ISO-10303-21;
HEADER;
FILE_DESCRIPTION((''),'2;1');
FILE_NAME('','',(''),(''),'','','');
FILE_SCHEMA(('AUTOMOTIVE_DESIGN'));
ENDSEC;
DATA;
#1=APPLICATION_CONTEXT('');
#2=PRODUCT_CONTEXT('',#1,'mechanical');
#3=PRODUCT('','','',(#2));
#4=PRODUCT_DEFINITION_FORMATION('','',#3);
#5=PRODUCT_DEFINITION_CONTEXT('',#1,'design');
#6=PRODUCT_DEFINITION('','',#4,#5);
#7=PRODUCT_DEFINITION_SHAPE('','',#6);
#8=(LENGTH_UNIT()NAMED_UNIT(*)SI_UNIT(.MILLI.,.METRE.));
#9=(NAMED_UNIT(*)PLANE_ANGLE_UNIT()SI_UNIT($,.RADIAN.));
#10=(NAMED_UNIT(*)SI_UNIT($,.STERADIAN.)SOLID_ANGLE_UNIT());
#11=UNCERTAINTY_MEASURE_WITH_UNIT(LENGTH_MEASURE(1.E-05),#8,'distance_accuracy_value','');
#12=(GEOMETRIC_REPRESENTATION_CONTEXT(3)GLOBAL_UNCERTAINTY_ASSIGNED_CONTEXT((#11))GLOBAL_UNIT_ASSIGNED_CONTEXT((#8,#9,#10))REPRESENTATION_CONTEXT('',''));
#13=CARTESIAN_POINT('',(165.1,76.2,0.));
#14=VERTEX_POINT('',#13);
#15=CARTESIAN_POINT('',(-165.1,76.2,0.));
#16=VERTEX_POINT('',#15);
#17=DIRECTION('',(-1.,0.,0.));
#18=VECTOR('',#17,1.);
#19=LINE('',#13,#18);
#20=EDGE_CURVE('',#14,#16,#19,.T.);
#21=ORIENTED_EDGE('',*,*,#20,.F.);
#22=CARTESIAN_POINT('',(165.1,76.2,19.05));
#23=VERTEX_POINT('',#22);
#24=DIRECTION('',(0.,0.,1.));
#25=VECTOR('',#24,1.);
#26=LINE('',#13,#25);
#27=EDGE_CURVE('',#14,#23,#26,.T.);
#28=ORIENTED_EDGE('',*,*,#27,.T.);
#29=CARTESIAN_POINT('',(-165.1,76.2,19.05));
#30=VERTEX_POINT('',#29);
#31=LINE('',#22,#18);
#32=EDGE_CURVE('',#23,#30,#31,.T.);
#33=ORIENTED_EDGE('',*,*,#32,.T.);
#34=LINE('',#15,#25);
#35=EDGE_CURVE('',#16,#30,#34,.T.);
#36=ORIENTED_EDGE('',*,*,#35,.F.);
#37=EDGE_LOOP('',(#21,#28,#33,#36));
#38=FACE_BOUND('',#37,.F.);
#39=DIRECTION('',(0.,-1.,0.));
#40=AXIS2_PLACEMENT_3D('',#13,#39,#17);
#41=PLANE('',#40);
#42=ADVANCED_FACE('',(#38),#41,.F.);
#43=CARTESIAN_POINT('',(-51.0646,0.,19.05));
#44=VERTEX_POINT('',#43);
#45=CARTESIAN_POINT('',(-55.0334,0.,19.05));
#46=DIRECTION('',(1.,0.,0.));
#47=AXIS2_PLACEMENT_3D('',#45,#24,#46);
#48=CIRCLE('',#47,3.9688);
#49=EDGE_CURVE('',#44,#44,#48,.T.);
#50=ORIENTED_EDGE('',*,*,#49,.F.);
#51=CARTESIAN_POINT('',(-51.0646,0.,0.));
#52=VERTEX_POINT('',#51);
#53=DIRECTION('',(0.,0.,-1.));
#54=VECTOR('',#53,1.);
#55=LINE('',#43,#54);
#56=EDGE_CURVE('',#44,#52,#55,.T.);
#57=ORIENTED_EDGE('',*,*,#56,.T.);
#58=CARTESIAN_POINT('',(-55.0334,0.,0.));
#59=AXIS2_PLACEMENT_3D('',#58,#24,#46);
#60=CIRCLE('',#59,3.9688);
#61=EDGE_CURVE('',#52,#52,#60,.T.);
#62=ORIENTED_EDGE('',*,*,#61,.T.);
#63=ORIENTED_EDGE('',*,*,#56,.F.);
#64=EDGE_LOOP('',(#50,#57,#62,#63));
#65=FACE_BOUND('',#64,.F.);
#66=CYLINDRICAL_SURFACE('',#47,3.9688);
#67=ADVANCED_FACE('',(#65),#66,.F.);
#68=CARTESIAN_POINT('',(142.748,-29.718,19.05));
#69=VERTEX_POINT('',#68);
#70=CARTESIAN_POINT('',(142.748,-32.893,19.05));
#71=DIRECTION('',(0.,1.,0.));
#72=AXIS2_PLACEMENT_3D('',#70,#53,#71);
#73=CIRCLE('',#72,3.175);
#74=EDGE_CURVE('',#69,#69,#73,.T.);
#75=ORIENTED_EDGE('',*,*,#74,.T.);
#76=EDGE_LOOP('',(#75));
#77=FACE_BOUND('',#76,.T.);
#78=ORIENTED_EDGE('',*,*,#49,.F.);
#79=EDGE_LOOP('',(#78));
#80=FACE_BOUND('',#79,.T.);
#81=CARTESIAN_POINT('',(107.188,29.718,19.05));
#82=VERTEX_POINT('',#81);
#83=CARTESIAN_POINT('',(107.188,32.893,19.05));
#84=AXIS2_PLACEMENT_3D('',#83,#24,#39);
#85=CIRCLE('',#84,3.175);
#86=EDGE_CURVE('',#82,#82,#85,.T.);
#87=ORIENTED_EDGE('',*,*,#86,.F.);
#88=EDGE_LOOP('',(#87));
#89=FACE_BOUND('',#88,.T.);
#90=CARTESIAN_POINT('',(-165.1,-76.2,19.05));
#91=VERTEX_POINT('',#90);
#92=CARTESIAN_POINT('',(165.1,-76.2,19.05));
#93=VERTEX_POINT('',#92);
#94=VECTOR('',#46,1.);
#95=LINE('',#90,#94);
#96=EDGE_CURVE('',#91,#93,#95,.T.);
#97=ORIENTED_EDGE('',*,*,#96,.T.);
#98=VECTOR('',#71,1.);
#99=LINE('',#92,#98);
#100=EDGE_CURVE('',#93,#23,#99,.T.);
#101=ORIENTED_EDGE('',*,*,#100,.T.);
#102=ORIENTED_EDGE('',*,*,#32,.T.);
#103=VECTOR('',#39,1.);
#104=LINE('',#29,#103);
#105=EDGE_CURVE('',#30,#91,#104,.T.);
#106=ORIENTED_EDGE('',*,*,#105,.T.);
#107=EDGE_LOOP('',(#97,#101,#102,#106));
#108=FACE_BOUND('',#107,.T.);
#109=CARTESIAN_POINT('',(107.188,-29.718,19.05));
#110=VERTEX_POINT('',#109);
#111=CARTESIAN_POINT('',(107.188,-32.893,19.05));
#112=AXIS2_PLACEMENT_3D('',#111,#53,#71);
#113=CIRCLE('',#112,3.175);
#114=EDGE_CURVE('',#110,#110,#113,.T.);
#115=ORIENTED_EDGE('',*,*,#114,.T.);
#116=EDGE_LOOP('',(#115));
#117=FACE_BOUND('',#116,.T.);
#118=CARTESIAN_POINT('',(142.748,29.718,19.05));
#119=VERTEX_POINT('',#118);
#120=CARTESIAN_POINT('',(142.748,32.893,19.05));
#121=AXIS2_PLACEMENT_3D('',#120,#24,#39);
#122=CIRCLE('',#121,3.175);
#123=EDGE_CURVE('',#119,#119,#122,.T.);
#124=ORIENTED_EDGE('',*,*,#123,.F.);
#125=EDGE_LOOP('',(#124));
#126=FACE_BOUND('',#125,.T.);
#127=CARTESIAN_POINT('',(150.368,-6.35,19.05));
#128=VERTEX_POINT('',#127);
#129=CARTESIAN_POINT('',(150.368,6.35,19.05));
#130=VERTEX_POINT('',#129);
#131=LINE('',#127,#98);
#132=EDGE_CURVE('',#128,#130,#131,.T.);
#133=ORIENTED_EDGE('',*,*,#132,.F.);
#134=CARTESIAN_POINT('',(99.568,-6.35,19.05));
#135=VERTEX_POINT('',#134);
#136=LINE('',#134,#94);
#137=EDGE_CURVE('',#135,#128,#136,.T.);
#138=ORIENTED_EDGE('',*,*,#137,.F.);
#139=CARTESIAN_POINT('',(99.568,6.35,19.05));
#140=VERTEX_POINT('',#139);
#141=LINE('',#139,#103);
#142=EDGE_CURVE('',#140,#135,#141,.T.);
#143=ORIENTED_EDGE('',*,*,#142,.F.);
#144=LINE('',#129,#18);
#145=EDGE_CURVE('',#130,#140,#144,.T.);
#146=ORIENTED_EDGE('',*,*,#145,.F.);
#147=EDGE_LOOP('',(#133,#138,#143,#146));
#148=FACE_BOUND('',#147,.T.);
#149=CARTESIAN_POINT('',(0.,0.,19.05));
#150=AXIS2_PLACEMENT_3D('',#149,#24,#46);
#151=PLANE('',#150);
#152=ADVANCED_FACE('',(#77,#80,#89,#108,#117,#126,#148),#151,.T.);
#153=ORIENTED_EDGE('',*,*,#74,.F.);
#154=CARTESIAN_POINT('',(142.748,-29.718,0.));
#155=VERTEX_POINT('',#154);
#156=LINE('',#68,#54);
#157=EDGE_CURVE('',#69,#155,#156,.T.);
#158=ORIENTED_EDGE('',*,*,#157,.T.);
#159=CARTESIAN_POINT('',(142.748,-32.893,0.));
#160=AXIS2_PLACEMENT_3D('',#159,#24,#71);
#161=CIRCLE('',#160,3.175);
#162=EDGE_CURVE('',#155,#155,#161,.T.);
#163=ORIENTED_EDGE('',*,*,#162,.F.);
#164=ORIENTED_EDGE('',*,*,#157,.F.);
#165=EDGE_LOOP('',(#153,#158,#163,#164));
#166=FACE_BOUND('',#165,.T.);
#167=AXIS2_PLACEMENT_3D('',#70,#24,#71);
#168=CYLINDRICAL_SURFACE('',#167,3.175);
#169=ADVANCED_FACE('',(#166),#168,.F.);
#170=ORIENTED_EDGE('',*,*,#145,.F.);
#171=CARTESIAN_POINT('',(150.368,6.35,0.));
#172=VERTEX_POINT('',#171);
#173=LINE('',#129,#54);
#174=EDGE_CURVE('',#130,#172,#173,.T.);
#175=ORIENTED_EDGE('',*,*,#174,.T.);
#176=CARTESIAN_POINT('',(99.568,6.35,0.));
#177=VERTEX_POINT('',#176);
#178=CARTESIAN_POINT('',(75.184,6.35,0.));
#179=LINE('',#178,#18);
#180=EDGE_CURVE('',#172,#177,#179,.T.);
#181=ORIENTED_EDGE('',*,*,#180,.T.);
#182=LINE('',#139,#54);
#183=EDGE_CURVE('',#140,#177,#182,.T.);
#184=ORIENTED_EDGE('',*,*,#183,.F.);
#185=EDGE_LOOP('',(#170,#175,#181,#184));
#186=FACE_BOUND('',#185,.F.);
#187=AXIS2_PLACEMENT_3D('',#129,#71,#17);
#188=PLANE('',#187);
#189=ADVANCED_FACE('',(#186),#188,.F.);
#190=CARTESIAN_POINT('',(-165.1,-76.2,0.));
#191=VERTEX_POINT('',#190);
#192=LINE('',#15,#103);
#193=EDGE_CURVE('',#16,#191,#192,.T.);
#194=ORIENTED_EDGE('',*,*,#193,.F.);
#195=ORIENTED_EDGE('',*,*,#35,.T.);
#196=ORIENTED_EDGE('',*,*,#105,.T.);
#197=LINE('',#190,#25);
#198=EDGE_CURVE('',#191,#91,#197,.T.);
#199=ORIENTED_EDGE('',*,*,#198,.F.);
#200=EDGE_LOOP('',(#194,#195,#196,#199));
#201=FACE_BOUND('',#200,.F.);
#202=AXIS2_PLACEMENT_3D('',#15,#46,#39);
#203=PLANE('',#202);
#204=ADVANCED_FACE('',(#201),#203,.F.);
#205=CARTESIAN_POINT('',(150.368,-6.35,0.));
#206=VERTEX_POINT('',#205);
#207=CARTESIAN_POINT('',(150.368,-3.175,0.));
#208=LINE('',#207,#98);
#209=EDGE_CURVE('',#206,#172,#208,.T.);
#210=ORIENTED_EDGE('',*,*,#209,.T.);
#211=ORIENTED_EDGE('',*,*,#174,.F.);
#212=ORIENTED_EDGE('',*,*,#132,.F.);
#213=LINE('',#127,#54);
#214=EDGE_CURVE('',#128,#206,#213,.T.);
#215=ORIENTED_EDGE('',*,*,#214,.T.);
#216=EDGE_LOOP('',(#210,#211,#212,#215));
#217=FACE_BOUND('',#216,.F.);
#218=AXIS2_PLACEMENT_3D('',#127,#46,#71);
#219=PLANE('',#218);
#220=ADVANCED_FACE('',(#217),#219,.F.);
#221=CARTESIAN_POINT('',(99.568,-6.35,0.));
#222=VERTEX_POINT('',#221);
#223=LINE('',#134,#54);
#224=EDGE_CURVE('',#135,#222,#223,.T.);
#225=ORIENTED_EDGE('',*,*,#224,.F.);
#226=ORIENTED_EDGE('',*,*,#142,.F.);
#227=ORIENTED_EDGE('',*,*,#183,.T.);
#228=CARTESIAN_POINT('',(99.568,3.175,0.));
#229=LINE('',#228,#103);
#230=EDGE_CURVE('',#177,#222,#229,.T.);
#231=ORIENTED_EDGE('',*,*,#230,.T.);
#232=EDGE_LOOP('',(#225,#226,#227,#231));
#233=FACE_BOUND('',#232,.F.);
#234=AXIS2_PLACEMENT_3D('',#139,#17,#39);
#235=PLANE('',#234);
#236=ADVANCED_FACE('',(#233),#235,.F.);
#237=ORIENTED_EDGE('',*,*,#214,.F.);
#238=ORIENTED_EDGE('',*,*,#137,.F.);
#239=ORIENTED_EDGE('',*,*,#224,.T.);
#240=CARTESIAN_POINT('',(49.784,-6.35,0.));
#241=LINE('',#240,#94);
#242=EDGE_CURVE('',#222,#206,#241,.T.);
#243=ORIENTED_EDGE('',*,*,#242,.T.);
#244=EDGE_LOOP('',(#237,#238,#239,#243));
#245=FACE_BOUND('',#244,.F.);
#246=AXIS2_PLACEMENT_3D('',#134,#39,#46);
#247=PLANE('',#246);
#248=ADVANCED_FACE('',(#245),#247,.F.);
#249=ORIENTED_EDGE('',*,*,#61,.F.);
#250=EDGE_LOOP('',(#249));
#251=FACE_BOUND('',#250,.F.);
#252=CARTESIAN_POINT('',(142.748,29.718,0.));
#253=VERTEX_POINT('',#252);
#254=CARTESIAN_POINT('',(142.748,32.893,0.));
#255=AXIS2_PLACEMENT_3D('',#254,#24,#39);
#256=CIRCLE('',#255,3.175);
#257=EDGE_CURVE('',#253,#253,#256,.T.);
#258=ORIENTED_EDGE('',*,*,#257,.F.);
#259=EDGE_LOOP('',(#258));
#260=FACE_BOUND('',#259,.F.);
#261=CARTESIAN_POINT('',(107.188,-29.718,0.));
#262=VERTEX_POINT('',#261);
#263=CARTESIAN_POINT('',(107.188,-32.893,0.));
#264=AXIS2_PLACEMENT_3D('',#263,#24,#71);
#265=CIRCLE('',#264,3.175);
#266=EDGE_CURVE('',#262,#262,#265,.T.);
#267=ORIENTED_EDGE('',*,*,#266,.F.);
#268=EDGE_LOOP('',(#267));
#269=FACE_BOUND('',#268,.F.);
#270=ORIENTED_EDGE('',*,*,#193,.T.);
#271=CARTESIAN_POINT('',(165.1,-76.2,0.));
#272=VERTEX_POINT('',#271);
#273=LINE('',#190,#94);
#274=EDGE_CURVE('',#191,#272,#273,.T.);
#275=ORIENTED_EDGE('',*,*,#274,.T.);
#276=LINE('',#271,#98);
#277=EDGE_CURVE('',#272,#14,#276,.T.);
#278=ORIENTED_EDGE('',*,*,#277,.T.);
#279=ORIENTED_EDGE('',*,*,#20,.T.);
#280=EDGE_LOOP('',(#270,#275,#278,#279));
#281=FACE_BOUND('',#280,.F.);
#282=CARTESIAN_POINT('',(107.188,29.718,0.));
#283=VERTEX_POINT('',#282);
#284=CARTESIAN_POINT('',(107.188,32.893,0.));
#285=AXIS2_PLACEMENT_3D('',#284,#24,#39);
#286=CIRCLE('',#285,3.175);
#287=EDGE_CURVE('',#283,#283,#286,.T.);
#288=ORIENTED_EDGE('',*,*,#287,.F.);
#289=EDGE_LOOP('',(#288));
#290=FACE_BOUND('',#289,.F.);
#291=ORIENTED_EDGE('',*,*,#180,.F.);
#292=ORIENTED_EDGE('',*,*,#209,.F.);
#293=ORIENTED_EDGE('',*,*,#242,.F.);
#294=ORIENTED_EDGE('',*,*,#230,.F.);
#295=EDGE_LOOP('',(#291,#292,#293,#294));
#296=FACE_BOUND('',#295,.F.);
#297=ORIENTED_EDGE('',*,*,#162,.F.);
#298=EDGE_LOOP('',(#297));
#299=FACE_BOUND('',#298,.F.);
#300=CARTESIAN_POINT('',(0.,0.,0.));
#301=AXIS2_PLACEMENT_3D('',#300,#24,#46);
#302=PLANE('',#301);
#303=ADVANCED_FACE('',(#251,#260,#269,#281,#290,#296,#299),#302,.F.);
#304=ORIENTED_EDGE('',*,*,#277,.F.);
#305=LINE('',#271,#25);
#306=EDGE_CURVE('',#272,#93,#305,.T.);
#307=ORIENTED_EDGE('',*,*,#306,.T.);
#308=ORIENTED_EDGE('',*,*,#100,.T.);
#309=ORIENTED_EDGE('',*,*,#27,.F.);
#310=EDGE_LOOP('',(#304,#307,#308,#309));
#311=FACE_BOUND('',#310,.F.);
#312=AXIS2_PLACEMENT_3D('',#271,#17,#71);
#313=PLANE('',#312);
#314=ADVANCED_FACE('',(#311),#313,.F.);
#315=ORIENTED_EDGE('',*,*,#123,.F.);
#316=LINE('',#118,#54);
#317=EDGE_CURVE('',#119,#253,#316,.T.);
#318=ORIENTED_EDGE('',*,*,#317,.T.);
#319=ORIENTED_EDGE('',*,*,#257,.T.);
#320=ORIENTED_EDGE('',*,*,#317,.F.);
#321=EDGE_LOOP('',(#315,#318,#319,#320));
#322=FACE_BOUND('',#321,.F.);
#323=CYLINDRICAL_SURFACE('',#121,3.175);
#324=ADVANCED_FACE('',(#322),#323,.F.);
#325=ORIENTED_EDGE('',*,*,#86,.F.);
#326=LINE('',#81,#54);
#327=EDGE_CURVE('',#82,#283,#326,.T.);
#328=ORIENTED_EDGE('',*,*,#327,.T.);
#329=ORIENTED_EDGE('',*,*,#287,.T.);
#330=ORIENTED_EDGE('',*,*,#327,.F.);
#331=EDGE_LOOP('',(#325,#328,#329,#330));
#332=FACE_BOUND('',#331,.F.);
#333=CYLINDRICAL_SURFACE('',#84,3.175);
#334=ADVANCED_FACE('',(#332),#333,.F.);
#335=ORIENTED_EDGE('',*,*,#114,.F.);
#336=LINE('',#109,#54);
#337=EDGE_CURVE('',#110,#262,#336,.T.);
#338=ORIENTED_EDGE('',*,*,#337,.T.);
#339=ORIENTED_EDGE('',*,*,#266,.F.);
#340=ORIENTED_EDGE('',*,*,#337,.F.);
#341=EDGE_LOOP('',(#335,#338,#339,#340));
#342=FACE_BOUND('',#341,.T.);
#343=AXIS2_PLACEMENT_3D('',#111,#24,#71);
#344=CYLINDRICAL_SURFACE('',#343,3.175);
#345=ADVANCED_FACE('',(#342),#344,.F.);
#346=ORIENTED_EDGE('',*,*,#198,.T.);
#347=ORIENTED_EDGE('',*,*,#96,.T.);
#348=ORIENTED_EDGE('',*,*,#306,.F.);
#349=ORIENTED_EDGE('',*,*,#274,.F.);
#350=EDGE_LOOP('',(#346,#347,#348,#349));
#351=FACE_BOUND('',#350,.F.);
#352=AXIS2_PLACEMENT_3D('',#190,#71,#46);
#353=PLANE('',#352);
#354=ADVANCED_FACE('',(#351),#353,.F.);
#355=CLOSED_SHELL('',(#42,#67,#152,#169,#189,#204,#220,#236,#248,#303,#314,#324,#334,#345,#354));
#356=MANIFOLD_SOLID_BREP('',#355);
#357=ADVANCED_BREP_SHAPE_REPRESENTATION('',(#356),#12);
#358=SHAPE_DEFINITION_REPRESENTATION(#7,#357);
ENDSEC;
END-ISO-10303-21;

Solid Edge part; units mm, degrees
sketch "Sketch1" plane through (0, 0, 0) normal (0, 0, 1) x (1, 0, 0)
  line L0 (-165.1, -76.2) -> (165.1, -76.2)
  line L1 (165.1, -76.2) -> (165.1, 76.2)
  line L2 (165.1, 76.2) -> (-165.1, 76.2)
  line L3 (-165.1, 76.2) -> (-165.1, -76.2)
  dimension "D1" = 330.2
  dimension "D2" = 152.4
extrude "Protrusion1" add sketch "Sketch1" along normal blind 19.05
sketch "Sketch2" plane through (0, 0, 19.05) normal (0, 0, 1) x (1, 0, 0)
  circle A0 centre (-55.0334, 0) radius 3.9688
  dimension "D1" = 110.0666
extrude "TripodTNutHole" cut sketch "Sketch2" against normal blind 50.8
sketch "Sketch3" plane through (0, 0, 19.05) normal (0, 0, 1) x (1, 0, 0)
  line L0 (99.568, -6.35) -> (150.368, -6.35)
  line L1 (150.368, -6.35) -> (150.368, 6.35)
  line L2 (150.368, 6.35) -> (99.568, 6.35)
  line L3 (99.568, 6.35) -> (99.568, -6.35)
  dimension "D1" = 264.668
  dimension "D2" = 50.8
  dimension "D3" = 12.7
extrude "ExtrudedCutout_2" cut sketch "Sketch3" against normal blind 25.4
sketch "Sketch4" plane through (0, 0, 19.05) normal (0, 0, 1) x (0, -1, 0)
  circle A0 centre (-32.893, 107.188) radius 3.175
  circle A1 centre (-32.893, 142.748) radius 3.175
  dimension "D1" = 32.893
  dimension "D2" = 14.732
  dimension "D3" = 22.352
  dimension "D4" = 32.893
  dimension "D5" = 35.56
extrude "MotorMountHoles12" cut sketch "Sketch4" against normal blind 25.4
mirror "Mirror1" about plane through (0, 0, 0) normal (0, -1, 0) of "MotorMountHoles12"
properties material "Wood, Oak"
